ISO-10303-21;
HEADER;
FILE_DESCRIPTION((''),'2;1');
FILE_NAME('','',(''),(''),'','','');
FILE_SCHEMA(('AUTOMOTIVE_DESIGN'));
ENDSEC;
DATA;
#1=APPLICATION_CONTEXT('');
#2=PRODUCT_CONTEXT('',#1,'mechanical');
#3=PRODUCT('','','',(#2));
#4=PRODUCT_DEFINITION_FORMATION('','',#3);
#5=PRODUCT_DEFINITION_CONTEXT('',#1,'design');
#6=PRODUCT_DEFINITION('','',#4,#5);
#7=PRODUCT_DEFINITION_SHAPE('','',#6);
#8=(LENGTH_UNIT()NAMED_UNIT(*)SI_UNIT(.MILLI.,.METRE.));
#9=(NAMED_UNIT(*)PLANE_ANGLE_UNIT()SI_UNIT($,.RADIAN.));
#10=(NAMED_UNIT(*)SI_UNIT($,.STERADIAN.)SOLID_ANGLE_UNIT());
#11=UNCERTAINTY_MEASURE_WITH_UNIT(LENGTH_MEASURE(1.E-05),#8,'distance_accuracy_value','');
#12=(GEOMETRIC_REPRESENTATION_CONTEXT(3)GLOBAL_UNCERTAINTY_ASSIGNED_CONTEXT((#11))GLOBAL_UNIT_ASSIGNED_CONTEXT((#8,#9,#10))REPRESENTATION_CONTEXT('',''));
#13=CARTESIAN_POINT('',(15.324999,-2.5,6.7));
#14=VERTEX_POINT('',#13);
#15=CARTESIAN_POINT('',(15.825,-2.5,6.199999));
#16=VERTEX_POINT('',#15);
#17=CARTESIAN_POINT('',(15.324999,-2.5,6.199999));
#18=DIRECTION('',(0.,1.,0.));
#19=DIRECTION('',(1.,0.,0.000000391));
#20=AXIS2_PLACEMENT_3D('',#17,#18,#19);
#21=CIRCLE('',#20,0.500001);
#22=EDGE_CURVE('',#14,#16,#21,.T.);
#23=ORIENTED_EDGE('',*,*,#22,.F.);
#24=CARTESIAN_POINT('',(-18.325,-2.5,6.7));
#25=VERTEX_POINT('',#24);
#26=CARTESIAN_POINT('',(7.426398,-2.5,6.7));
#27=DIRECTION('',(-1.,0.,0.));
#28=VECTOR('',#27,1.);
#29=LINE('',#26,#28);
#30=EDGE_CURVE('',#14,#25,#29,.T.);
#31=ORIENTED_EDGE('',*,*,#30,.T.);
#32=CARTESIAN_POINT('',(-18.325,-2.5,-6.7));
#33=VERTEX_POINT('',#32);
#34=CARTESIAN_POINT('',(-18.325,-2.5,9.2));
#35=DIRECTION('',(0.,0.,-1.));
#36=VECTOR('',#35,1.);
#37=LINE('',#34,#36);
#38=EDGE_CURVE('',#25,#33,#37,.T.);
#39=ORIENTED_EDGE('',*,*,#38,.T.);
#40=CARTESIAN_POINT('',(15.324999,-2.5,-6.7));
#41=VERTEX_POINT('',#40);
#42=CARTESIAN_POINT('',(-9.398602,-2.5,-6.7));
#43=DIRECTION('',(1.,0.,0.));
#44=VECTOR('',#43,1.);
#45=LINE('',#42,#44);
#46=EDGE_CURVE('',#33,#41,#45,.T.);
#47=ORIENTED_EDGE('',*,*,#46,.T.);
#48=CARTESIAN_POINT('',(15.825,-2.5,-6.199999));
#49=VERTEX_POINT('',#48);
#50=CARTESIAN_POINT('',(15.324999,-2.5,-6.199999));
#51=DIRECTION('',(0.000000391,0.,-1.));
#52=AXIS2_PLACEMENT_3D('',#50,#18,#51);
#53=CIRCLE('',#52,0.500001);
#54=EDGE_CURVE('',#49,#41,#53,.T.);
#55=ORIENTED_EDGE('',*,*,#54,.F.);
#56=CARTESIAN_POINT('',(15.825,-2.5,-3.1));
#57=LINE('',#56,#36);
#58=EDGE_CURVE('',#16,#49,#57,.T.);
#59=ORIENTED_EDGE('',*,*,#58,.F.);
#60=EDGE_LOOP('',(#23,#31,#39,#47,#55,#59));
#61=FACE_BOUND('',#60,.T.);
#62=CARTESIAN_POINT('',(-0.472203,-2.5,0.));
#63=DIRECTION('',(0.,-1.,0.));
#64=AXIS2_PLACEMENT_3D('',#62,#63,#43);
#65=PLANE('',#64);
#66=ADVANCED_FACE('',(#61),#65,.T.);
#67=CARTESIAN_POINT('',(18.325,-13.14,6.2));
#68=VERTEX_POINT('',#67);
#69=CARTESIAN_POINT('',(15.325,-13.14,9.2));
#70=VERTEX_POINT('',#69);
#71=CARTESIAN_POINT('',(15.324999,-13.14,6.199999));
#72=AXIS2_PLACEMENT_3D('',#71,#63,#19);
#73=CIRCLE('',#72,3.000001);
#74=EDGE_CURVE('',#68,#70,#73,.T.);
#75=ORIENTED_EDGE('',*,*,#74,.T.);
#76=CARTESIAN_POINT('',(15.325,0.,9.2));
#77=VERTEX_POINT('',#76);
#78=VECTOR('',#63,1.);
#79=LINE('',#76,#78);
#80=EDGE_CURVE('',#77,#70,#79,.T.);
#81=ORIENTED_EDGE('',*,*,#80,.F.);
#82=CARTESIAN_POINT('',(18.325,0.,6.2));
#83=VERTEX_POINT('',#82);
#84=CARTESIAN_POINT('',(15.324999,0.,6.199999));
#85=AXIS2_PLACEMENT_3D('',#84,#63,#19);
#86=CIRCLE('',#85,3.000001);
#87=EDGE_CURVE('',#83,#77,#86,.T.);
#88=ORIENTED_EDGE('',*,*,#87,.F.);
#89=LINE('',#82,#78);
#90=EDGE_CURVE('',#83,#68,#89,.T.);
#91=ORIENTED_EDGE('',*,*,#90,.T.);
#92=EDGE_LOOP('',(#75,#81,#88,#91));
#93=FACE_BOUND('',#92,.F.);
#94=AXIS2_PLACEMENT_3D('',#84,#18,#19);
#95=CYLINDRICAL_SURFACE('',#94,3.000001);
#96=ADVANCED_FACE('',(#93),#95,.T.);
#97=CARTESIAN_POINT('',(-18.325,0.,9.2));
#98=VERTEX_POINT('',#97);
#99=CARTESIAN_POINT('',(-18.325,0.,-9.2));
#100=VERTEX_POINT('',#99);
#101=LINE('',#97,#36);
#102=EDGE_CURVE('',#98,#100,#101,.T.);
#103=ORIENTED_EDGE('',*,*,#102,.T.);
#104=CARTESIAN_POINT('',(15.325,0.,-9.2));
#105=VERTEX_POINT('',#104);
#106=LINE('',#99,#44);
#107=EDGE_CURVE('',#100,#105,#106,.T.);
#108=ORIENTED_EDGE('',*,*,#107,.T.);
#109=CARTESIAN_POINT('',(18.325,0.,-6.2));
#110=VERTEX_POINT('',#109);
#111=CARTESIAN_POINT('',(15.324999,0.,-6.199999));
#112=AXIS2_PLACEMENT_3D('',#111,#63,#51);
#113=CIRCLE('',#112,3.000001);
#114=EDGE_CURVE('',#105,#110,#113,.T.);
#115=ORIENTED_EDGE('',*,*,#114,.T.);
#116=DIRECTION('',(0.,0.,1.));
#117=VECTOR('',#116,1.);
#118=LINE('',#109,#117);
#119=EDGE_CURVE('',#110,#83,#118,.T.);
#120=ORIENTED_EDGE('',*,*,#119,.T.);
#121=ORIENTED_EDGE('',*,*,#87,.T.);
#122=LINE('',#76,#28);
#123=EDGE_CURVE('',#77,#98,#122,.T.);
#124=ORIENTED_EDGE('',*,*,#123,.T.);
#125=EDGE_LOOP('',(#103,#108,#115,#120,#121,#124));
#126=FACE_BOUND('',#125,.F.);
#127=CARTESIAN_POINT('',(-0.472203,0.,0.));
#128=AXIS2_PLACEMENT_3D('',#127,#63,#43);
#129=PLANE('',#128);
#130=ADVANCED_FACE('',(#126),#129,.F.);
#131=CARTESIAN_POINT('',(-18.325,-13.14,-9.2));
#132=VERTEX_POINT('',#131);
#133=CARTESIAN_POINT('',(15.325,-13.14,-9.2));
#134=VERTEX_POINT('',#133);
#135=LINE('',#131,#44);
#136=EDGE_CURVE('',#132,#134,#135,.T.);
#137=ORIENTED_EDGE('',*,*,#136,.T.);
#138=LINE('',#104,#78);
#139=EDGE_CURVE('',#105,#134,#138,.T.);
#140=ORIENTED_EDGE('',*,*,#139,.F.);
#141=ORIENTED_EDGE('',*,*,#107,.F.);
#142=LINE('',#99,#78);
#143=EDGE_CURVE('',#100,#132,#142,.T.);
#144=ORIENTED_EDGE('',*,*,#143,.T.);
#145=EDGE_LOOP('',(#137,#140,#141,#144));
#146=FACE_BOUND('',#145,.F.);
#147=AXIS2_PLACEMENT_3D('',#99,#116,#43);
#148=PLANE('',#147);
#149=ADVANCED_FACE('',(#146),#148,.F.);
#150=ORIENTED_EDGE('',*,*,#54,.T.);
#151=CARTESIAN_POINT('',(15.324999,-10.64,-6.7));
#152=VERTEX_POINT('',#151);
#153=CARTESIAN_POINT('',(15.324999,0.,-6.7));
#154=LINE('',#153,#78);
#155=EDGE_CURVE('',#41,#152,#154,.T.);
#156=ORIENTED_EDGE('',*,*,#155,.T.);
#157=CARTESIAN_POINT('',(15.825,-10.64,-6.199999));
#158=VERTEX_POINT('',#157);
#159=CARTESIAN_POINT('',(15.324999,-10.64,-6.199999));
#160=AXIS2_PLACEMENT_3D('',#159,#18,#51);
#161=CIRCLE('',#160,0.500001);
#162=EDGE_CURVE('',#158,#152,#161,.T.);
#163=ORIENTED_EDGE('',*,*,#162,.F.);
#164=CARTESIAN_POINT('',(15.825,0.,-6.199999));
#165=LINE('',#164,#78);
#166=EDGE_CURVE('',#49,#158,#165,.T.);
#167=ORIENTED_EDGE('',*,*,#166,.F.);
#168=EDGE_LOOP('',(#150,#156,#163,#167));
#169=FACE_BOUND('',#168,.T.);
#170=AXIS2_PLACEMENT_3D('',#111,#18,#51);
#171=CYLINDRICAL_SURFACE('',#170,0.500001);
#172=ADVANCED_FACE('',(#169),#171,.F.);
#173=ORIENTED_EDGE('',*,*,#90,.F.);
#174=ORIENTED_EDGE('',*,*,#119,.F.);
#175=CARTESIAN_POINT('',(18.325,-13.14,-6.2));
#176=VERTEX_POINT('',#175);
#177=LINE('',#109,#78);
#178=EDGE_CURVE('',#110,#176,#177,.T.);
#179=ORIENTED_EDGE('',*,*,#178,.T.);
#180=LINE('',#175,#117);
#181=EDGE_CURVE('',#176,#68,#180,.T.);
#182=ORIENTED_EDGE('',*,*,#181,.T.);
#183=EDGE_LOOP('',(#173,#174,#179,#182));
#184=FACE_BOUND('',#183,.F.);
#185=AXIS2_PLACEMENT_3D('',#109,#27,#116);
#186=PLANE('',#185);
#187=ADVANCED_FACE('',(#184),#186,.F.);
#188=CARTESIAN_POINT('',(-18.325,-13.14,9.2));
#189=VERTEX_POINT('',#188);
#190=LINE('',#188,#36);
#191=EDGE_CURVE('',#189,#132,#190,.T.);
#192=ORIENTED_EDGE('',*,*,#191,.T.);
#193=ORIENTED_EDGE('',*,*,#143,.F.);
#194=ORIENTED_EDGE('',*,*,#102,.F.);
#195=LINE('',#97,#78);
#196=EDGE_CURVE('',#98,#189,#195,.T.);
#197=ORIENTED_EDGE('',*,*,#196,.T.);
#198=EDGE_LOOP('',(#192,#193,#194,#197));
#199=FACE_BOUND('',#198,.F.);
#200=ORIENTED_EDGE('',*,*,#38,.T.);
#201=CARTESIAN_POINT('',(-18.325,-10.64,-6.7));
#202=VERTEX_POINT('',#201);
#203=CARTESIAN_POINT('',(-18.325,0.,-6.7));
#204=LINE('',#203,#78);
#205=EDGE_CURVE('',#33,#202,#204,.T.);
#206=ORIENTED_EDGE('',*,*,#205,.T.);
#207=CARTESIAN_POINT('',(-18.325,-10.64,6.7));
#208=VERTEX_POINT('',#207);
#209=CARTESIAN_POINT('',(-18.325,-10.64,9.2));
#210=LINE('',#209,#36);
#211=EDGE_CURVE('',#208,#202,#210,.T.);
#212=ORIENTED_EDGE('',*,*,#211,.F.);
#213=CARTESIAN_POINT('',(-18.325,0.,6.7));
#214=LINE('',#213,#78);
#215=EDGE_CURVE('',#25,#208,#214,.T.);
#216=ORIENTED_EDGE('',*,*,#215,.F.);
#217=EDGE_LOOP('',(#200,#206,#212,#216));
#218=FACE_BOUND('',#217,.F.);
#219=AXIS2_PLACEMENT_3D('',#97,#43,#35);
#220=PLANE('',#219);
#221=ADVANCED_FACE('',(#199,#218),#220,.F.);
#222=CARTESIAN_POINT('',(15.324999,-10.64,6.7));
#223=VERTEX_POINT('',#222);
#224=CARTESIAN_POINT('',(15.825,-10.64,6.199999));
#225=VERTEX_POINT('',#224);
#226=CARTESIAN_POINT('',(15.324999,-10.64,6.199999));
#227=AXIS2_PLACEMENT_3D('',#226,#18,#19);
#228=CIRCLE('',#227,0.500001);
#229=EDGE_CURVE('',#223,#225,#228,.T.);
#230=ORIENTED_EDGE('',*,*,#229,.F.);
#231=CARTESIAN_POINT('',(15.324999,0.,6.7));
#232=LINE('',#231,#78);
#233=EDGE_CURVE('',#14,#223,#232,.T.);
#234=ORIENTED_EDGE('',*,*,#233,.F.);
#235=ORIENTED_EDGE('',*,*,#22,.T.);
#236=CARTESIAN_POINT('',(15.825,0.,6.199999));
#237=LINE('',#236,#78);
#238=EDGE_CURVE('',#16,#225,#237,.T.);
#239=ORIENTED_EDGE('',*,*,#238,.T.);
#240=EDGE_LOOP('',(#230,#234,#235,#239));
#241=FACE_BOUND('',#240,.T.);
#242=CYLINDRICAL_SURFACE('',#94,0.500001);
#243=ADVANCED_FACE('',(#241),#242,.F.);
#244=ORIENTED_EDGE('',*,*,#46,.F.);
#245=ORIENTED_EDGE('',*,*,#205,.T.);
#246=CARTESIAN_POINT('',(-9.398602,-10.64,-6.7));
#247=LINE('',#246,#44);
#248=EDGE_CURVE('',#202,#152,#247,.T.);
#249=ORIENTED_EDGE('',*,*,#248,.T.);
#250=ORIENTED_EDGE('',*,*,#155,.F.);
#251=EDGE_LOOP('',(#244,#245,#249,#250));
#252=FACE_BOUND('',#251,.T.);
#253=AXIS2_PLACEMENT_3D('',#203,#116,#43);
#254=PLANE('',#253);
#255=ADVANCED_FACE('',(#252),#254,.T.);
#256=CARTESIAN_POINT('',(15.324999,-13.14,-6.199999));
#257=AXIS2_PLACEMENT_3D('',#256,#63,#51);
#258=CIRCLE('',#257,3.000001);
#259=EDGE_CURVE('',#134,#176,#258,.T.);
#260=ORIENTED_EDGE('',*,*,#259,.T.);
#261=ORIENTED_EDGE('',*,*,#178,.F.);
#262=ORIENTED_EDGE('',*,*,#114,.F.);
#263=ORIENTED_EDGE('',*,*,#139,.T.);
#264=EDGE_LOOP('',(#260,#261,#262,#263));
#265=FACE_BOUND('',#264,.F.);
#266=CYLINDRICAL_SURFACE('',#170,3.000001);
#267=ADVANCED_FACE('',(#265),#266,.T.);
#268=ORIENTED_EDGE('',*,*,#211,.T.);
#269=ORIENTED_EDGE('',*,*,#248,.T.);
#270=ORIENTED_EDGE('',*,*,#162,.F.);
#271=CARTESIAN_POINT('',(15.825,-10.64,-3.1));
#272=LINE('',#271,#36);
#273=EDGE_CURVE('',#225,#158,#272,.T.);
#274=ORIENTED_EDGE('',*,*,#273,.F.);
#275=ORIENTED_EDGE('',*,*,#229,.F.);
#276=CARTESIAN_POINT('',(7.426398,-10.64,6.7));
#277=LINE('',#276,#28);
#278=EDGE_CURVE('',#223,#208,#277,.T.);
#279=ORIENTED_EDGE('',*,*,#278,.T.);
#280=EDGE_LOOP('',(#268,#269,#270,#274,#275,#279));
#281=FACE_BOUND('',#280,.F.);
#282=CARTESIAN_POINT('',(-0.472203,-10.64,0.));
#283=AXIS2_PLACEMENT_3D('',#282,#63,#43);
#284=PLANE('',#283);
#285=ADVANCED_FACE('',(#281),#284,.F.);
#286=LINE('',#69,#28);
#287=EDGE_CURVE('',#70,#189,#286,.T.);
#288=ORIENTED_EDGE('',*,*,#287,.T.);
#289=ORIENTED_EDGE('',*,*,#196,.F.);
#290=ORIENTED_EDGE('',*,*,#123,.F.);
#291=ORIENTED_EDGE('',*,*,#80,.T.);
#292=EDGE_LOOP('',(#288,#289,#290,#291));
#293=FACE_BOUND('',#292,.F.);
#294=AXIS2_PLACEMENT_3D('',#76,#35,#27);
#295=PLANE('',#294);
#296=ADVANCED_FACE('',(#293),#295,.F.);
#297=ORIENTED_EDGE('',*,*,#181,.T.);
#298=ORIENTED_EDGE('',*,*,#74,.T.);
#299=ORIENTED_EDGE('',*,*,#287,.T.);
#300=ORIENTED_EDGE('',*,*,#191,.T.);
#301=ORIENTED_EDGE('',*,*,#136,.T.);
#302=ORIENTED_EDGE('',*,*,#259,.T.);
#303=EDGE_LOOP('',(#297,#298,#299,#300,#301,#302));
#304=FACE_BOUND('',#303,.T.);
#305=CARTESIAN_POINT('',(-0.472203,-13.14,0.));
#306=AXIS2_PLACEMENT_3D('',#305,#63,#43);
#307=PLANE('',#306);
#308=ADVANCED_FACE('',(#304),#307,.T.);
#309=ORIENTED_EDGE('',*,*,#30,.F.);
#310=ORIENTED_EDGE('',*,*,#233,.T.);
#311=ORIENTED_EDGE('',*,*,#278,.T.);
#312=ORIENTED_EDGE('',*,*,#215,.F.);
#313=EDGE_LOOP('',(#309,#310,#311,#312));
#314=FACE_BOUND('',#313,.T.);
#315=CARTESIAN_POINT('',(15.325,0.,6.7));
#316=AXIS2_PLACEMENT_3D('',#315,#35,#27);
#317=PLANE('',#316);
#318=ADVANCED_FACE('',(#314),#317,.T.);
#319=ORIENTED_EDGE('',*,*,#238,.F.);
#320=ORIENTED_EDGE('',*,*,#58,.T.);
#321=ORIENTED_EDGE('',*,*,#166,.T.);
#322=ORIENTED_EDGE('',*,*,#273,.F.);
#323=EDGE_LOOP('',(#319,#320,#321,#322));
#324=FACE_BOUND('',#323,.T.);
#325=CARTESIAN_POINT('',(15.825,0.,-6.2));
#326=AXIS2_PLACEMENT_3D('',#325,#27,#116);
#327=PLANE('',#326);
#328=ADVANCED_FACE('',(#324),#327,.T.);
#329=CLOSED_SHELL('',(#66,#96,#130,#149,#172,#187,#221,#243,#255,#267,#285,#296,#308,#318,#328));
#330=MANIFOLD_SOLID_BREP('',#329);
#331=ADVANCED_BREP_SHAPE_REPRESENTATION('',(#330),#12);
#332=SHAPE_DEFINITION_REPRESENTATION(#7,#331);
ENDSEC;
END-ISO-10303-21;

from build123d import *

# Parameters (mm, degrees)
F1_DEPTH = 13.14
F2_T     = -2.5


with BuildPart() as f1:
    # F0 (on Front) → F1 (new body)
    with BuildSketch(Plane.XZ):
        with BuildLine():
            Line((-18.325, -9.2), (15.325, -9.2))
            ThreePointArc((15.325, -9.2), (17.44632, -8.32132), (18.325, -6.2))
            Line((18.325, -6.2), (18.325, 6.2))
            ThreePointArc((18.325, 6.2), (17.44632, 8.32132), (15.325, 9.2))
            Line((15.325, 9.2), (-18.325, 9.2))
            Line((-18.325, 9.2), (-18.325, -9.2))
        make_face()
    extrude(amount=F1_DEPTH)

    # F2
    f2_openings = [f1.faces().sort_by_distance(p)[0] for p in [
        (-18.325, -6.57, 0),
    ]]
    offset(amount=F2_T, openings=f2_openings)


solid = f1.part
